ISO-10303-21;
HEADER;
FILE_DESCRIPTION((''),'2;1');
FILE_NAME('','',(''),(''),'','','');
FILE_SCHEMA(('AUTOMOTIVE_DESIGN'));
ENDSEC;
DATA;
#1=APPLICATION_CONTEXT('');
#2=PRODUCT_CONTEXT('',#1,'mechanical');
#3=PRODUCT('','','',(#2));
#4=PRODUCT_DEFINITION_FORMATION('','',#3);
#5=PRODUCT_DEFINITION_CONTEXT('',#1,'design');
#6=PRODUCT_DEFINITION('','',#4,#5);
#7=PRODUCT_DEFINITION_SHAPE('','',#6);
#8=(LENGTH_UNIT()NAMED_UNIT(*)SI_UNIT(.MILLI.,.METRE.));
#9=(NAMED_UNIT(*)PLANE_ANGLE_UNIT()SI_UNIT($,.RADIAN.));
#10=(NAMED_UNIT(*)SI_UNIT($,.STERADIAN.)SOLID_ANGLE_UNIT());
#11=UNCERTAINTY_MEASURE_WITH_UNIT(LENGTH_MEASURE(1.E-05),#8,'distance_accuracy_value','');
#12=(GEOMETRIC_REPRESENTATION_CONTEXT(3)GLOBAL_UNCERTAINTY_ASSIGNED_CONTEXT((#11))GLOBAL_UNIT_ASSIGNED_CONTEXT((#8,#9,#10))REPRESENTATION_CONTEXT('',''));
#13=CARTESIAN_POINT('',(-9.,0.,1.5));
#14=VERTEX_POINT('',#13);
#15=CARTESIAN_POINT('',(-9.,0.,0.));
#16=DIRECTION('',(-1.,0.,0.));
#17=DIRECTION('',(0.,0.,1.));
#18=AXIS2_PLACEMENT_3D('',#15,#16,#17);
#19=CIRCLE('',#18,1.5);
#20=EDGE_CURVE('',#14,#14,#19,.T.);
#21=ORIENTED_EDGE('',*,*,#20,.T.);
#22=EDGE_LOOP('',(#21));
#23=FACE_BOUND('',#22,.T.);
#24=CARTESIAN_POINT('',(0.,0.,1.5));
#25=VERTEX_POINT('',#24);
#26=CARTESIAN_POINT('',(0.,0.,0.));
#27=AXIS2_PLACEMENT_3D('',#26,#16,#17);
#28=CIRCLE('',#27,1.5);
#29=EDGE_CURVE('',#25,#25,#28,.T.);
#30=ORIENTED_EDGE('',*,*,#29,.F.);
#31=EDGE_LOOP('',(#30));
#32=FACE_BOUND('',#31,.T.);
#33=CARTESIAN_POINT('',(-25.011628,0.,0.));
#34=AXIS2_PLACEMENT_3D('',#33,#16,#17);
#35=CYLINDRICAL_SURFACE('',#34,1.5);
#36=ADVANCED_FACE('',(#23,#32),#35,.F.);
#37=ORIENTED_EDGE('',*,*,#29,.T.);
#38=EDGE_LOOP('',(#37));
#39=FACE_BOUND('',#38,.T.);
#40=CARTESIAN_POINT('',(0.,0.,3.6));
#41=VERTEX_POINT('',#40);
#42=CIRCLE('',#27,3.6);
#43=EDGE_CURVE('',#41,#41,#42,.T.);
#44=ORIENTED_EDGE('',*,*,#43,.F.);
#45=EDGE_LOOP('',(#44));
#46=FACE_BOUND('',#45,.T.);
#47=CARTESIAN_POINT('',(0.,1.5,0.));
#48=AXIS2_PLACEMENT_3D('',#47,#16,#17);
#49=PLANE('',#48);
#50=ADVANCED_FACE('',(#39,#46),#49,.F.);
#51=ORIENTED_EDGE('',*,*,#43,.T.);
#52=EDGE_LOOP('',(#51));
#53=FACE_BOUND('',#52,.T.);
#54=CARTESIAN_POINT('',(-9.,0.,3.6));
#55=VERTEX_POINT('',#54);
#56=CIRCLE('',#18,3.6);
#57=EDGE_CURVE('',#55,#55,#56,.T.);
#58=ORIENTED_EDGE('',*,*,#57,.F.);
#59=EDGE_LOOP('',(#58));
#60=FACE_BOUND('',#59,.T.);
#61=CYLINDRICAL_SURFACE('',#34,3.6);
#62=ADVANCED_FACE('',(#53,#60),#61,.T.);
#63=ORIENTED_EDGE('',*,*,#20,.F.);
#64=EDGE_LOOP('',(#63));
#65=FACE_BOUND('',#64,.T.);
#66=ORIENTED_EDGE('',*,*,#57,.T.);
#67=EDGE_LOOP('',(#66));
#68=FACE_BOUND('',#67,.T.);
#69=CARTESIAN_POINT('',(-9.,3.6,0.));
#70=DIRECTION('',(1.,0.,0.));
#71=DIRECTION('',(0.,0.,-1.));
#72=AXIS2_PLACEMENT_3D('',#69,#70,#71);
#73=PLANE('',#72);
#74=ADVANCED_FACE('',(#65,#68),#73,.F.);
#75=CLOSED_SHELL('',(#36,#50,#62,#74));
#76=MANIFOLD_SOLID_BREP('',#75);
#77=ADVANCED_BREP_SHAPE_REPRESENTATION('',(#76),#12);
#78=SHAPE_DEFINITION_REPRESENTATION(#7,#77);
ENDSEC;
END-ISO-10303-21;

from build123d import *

# Parameters (mm, degrees)
SKETCH_1_W = 9
SKETCH_1_H = 2.1


with BuildPart() as part:
    # 草图1 → 旋转1 (revolve)
    with BuildSketch(Plane.XY, mode=Mode.PRIVATE) as revolve_1_sk:
        with Locations((-4.5, 2.55)):
            Rectangle(SKETCH_1_W, SKETCH_1_H)
    revolve(revolve_1_sk.sketch.rotate(Axis((-25.011627907, 0, 0), (1, 0, 0)), 90), axis=Axis((-25.011627907, 0, 0), (1, 0, 0)))


solid = part.part
